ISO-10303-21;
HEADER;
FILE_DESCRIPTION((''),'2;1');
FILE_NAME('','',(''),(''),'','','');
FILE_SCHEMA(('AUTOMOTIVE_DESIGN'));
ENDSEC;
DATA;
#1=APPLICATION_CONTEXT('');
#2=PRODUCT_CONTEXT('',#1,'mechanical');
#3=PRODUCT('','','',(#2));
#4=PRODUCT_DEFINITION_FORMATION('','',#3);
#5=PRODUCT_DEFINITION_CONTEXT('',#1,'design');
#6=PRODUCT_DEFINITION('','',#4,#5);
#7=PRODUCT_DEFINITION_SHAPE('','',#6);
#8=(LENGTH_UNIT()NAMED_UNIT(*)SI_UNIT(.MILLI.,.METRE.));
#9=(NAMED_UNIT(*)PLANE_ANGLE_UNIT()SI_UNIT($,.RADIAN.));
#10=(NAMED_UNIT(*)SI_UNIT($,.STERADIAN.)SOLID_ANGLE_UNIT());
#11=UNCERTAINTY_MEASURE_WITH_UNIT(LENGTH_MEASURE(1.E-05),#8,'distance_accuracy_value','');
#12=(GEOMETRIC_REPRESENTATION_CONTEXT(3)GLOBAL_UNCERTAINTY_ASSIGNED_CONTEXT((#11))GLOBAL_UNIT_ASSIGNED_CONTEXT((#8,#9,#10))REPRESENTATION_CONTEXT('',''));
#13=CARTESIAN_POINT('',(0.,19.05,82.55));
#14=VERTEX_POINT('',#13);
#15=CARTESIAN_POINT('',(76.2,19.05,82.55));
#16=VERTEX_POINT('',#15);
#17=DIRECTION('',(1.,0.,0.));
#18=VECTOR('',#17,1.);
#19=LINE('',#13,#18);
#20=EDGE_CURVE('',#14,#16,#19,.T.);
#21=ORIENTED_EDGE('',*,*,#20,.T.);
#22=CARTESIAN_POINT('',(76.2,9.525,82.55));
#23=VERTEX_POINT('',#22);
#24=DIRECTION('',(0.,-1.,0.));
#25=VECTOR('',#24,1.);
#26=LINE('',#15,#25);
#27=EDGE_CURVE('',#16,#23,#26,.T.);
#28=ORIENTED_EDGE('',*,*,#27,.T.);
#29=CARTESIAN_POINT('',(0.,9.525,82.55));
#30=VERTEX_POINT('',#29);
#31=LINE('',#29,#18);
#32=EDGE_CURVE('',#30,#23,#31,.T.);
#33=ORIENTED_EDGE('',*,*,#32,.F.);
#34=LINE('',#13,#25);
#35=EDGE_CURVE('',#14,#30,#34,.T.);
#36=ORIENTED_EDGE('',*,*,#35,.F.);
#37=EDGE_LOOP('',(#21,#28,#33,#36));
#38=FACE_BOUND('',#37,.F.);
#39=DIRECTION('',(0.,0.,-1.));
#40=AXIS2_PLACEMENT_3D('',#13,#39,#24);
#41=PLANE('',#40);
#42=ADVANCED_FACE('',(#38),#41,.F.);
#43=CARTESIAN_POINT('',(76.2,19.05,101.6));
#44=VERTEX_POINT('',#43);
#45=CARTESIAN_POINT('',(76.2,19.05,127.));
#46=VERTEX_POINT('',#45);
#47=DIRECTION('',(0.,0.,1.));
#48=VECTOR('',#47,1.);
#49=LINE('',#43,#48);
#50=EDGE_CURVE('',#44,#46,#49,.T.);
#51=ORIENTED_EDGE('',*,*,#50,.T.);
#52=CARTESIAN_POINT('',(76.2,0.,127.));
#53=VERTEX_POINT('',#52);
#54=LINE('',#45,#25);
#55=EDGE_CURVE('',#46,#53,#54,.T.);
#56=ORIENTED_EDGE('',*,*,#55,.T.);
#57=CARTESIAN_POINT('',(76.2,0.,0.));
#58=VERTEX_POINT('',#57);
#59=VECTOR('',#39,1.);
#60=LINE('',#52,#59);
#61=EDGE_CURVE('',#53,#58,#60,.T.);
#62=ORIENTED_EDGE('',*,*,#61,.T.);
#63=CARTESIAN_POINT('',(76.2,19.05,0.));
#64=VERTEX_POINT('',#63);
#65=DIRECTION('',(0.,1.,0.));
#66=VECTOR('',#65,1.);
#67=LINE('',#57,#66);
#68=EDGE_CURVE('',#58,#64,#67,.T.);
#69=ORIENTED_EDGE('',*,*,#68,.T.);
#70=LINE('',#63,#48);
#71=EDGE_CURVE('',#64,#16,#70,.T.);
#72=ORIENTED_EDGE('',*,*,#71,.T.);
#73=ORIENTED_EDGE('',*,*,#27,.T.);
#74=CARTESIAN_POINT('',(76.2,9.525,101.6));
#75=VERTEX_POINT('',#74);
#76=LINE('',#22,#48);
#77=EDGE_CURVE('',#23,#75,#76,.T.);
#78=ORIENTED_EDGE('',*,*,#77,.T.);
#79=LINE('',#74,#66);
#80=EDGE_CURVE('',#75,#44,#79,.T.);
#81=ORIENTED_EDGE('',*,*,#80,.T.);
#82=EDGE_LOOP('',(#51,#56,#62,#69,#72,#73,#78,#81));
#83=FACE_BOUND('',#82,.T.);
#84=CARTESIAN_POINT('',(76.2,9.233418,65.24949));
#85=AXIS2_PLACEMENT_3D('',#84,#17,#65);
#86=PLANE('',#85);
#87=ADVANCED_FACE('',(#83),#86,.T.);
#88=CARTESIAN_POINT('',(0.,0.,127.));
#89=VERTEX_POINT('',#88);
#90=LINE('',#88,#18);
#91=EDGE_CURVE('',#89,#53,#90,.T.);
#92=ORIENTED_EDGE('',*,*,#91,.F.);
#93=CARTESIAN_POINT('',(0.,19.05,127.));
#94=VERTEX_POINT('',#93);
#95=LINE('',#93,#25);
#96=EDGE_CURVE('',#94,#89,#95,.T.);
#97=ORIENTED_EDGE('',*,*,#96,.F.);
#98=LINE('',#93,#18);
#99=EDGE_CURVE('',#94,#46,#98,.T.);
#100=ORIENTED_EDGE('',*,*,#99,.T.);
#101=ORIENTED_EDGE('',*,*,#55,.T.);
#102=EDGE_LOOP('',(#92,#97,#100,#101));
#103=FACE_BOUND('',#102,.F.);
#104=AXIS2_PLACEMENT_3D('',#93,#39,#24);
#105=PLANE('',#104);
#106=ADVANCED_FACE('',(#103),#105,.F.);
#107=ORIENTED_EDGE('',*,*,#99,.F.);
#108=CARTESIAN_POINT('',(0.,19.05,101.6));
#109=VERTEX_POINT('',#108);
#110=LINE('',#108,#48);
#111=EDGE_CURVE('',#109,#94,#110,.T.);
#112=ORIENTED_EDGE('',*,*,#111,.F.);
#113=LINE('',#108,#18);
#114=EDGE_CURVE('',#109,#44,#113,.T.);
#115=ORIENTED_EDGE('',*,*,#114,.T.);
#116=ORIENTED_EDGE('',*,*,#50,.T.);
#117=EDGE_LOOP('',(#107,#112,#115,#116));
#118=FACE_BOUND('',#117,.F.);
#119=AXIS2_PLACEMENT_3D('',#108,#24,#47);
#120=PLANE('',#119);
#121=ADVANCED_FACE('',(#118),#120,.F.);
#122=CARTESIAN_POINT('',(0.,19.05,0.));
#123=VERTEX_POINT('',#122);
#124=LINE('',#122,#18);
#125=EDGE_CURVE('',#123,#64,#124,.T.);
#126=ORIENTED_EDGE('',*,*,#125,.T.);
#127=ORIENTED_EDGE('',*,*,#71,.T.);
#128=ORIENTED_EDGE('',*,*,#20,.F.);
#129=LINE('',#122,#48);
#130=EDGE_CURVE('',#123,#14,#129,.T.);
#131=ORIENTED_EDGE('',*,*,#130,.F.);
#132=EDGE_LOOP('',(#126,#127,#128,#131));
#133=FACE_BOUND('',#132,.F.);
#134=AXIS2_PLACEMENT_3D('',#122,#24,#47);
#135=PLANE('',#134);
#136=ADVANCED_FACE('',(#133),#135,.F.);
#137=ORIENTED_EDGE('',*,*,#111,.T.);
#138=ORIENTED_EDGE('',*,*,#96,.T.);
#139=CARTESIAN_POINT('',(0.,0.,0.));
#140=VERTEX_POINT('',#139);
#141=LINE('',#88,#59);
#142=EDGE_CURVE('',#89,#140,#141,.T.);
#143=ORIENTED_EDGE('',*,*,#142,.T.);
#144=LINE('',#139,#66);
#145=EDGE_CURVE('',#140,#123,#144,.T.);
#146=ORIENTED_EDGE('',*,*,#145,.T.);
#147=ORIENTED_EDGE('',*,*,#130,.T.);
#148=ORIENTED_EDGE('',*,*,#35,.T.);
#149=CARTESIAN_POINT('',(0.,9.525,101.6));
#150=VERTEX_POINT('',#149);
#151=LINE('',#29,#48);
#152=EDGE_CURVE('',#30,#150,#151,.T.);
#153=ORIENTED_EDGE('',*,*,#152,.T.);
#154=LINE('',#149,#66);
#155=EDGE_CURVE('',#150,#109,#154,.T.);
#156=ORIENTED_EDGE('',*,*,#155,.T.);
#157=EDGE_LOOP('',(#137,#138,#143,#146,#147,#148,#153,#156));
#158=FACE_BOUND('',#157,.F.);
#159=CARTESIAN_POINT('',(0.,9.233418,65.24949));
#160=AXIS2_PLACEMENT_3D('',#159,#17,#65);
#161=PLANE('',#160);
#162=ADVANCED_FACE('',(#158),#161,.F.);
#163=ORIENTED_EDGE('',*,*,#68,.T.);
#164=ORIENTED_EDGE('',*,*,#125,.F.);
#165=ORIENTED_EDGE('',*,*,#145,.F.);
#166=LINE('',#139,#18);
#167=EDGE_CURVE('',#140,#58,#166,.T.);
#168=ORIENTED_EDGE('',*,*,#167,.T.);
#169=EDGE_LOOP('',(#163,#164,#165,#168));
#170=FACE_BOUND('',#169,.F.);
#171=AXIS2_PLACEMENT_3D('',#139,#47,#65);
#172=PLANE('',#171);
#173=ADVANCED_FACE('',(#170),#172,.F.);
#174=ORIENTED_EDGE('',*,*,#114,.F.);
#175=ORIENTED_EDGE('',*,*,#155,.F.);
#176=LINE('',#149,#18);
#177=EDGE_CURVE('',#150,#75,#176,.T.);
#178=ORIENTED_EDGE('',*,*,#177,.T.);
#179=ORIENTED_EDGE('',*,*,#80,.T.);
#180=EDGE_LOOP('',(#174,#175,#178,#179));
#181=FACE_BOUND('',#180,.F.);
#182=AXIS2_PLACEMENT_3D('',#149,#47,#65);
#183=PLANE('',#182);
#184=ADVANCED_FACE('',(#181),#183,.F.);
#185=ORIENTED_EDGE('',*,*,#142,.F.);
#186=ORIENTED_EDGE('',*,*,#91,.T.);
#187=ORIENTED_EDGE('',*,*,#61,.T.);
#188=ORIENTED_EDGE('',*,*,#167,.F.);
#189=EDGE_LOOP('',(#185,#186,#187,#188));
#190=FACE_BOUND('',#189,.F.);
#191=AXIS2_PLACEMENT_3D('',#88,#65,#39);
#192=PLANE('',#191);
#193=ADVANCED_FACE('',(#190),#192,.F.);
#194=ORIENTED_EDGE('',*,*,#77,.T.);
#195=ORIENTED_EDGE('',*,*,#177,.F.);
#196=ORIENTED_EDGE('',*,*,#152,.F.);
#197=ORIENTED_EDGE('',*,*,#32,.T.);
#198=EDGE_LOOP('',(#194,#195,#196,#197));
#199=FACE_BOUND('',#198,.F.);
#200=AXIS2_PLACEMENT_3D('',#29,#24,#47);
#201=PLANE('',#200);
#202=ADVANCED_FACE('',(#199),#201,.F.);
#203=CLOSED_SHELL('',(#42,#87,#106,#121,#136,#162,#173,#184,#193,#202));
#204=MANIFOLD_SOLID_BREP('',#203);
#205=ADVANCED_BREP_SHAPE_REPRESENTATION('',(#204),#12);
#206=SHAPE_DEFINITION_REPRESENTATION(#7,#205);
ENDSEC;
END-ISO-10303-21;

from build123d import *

# Parameters (mm, degrees)
F1_DEPTH = 76.2


with BuildPart() as f1:
    # F0 (on Right) → F1 (new body)
    with BuildSketch(Plane.YZ):
        Polygon((0, 127), (0, 0), (19.05, 0), (19.05, 82.55), (9.525, 82.55), (9.525, 101.6), (19.05, 101.6), (19.05, 105.869003), (19.05, 127), align=None)
    extrude(amount=F1_DEPTH)


solid = f1.part
